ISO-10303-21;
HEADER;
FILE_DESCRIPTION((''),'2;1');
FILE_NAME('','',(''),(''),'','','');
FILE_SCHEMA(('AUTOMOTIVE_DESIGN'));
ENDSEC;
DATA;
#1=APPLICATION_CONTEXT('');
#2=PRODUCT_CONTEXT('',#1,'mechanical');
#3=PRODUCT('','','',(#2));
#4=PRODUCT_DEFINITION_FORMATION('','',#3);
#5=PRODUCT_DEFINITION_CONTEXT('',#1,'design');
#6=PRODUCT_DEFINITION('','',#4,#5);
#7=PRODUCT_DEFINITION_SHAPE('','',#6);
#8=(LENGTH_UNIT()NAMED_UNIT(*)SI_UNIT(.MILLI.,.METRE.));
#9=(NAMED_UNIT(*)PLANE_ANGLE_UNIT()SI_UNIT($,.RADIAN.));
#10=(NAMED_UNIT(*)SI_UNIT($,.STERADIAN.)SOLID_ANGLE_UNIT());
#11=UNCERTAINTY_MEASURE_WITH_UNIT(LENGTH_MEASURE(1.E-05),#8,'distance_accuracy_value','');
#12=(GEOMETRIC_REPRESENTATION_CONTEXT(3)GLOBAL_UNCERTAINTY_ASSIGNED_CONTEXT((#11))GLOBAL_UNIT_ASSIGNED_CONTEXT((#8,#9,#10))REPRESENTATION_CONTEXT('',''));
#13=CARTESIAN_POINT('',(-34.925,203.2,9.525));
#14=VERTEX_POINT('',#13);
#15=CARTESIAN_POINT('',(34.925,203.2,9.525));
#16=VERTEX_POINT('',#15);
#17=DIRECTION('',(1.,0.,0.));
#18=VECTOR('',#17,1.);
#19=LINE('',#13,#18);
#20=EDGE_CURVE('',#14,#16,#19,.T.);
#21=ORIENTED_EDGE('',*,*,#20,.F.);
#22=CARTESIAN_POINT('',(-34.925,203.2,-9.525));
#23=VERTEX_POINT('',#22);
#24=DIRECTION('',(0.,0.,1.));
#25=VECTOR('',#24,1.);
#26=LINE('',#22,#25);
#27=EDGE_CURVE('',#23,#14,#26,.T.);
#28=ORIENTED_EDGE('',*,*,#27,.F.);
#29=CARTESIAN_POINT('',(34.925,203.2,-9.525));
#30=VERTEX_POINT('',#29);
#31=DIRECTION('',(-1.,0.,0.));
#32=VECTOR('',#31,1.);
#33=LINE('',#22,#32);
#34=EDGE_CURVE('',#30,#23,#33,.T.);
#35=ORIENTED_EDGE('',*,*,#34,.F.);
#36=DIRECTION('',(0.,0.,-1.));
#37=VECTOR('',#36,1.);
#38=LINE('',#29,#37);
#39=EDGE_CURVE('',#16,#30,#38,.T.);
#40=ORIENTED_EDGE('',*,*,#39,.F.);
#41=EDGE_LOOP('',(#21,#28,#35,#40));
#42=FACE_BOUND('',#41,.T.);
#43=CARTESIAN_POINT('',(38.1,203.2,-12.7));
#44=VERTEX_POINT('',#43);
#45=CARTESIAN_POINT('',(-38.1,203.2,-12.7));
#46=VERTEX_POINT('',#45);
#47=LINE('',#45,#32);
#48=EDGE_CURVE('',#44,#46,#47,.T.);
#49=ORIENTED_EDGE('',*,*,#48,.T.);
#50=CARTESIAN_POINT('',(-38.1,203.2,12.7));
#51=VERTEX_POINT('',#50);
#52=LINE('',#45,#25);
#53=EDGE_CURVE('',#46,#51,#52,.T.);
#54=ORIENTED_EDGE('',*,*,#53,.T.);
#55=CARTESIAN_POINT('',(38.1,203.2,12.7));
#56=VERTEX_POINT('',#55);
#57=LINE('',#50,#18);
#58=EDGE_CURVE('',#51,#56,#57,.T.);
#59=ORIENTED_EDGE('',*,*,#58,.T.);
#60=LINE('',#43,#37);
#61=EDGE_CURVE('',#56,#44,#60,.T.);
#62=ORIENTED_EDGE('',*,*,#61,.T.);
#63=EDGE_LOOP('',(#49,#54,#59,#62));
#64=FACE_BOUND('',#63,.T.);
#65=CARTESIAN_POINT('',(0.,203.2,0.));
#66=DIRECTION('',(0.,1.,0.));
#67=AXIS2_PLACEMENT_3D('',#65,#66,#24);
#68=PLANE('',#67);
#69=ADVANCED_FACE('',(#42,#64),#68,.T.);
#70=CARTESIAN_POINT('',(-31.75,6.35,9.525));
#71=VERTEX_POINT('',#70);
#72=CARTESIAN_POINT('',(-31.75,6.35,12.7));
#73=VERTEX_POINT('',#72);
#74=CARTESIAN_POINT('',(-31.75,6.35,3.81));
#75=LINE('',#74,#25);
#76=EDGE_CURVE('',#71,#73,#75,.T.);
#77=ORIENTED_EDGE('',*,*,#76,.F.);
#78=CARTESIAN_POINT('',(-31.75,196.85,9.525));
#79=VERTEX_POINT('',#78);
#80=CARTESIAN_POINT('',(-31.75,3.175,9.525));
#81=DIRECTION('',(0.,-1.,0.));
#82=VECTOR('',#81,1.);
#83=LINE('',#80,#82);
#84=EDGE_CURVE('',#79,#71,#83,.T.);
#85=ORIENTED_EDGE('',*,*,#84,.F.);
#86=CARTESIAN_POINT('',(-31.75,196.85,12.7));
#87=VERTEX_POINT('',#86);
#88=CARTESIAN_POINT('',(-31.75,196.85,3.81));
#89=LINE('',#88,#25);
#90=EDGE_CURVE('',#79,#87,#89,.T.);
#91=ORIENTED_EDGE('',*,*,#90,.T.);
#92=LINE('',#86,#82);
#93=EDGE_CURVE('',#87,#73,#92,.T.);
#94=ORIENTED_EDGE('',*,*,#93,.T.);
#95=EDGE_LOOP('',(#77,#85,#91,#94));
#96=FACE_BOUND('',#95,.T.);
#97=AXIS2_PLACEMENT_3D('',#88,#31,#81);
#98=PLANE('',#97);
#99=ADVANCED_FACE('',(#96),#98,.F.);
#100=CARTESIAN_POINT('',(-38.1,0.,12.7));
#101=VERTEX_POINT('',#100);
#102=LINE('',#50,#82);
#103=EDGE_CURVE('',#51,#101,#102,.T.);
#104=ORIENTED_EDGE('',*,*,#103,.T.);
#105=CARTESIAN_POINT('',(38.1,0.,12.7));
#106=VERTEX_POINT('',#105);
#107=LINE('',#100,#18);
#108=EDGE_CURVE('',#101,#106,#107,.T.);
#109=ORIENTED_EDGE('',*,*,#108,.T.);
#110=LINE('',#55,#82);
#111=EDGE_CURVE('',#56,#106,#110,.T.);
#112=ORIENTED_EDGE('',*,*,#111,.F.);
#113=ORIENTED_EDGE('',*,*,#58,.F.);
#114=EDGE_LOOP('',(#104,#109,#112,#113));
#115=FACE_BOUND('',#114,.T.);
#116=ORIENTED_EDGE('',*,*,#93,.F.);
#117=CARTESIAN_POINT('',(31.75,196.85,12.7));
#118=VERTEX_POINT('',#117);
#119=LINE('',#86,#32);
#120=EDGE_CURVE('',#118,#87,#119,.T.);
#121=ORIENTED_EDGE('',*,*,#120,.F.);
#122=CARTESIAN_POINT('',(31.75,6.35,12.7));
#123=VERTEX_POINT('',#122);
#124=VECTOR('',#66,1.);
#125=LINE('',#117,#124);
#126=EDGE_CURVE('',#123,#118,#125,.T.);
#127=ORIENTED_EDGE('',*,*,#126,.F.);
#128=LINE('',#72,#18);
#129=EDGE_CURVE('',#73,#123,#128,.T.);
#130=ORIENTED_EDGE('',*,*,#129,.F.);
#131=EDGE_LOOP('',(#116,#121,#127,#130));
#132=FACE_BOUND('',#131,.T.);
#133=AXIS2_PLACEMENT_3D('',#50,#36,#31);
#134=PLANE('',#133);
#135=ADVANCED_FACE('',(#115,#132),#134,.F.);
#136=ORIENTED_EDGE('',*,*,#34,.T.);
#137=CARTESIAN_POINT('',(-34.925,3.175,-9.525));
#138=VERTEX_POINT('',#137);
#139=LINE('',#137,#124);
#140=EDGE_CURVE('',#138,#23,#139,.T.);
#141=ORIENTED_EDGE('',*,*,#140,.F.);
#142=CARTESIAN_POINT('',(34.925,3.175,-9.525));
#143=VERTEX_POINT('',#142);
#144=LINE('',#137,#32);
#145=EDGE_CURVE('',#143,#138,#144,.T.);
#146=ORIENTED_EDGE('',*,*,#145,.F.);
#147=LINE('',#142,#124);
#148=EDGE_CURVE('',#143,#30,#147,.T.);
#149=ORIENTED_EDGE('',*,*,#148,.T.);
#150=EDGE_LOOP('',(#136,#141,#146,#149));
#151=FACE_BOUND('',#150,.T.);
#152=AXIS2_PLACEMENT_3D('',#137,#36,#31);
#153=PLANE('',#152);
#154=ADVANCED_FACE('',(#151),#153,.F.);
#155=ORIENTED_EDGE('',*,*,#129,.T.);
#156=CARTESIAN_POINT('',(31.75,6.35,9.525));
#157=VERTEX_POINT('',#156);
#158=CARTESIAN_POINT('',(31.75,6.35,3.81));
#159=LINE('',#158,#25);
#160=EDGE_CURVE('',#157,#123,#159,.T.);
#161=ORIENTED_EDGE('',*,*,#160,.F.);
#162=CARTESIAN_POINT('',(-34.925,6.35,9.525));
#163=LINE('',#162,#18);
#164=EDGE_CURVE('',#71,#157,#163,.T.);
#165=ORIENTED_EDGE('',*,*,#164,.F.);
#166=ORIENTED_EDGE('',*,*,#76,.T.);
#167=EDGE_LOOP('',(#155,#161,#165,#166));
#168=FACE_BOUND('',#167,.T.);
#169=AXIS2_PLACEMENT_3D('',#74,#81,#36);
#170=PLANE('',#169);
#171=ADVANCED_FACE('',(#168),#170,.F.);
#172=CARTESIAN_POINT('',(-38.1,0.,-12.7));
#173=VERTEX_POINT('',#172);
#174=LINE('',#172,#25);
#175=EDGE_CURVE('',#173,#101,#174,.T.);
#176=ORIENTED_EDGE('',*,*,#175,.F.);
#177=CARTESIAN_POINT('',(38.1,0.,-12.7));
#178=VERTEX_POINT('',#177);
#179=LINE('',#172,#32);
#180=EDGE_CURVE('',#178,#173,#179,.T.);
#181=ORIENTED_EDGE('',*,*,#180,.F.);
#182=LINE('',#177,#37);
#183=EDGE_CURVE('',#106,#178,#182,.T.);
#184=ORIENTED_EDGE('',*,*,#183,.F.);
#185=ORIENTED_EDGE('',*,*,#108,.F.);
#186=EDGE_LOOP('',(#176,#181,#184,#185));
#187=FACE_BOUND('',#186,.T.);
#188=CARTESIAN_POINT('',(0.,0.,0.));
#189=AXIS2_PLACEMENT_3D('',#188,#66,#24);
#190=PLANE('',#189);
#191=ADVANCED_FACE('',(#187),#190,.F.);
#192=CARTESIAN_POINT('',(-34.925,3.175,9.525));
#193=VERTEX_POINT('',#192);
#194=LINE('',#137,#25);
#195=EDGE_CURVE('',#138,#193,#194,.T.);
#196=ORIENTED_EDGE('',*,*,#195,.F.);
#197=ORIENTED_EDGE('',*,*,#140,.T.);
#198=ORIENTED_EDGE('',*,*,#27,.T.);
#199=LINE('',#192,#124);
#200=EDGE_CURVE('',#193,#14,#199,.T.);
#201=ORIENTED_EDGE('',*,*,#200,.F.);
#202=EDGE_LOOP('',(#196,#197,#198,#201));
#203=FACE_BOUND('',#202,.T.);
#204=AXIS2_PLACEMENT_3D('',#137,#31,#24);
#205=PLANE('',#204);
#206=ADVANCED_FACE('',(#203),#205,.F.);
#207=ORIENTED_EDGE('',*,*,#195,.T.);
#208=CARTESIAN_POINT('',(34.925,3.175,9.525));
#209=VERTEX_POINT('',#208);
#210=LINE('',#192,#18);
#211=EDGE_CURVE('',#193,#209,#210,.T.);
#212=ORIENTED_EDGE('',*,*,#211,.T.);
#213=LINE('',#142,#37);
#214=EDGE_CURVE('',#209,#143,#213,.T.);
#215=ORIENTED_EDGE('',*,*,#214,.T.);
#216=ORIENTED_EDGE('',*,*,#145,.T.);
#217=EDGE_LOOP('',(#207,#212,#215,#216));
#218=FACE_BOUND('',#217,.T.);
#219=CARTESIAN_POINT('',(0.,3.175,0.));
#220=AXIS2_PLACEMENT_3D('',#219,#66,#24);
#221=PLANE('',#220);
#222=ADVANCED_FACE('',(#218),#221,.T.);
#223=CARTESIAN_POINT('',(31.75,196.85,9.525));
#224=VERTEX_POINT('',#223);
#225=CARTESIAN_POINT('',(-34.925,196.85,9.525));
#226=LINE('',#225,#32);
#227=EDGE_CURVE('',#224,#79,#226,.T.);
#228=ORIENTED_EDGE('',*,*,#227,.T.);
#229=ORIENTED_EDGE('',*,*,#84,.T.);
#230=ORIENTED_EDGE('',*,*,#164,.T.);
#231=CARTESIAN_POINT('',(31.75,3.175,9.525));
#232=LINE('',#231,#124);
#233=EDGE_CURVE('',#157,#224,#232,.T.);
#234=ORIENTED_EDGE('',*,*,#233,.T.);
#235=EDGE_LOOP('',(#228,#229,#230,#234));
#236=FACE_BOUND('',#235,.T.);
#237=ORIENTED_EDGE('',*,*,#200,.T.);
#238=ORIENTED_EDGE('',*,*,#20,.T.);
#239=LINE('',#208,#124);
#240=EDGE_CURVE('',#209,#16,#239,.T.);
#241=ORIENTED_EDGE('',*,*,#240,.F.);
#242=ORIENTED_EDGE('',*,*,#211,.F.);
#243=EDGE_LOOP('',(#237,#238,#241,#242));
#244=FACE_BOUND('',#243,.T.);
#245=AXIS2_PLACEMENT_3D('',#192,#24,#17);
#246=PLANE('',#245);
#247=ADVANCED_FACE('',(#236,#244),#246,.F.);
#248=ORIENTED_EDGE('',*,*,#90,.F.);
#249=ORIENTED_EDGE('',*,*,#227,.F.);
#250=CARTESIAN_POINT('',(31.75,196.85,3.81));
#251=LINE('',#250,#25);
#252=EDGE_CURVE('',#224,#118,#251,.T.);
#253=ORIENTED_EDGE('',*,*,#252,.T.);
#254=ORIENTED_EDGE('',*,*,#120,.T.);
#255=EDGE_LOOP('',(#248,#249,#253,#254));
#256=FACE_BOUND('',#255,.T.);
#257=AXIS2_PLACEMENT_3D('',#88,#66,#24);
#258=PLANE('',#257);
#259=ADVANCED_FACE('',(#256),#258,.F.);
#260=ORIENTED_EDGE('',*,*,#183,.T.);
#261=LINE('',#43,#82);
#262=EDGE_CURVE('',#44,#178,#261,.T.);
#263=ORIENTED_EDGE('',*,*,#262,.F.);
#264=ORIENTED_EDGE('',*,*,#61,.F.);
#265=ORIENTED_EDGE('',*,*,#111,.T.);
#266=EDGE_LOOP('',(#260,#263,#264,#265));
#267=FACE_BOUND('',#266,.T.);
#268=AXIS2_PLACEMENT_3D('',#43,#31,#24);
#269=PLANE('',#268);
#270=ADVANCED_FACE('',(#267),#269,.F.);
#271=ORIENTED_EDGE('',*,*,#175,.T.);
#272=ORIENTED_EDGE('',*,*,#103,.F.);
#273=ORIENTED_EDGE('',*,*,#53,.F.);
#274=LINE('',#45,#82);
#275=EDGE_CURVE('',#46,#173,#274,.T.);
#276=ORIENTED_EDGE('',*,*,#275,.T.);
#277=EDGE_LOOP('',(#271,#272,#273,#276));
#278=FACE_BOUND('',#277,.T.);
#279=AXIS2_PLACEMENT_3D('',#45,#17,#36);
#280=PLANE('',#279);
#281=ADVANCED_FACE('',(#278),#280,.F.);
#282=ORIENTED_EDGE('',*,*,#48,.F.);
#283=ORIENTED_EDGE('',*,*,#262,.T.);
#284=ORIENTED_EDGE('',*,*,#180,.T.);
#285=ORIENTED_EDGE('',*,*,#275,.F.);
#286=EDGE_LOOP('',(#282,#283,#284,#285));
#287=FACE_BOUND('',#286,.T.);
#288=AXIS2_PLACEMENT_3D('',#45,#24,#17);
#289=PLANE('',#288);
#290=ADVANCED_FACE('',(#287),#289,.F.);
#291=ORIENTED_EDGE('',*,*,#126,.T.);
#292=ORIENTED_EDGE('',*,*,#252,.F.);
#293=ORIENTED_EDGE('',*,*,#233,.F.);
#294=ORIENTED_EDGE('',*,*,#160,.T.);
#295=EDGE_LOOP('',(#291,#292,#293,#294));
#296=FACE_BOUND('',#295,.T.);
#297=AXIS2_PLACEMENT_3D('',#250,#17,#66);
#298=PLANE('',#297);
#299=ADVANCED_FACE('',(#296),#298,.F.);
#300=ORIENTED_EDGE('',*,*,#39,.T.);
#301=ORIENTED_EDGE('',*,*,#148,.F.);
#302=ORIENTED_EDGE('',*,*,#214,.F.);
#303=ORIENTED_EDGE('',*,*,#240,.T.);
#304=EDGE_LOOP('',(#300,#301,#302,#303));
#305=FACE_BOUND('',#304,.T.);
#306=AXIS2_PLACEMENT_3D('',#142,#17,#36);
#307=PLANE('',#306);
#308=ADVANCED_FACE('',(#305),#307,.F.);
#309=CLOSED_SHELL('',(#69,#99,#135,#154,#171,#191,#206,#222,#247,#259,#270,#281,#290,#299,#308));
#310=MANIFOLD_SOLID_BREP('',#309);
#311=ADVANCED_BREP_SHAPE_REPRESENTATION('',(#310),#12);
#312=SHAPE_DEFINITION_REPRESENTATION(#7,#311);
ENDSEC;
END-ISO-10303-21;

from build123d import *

# Parameters (mm, degrees)
SKETCH1_W           = 76.2
SKETCH1_H           = 25.4
BOSS_EXTRUDE5_DEPTH = 203.2
SKETCH4_W           = 69.85
SKETCH4_H           = 19.05
CUT_EXTRUDE1_DEPTH  = 200.025
SKETCH5_W           = 63.5
SKETCH5_H           = 190.5
CUT_EXTRUDE2_DEPTH  = 8.89


with BuildPart() as part:
    # Sketch1 → Boss-Extrude5 (new body)
    with BuildSketch(Plane(origin=(0, 0, 0), x_dir=(1, 0, 0), z_dir=(0, 1, 0))):
        Rectangle(SKETCH1_W, SKETCH1_H)
    extrude(amount=BOSS_EXTRUDE5_DEPTH)

    # Sketch4 → Cut-Extrude1 (cut)
    with BuildSketch(Plane(origin=(0, 203.2, 0), x_dir=(1, 0, 0), z_dir=(0, 1, 0))):
        Rectangle(SKETCH4_W, SKETCH4_H)
    extrude(amount=-CUT_EXTRUDE1_DEPTH, mode=Mode.SUBTRACT)

    # Sketch5 → Cut-Extrude2 (cut)
    with BuildSketch(Plane.XY.offset(12.7)):
        with Locations((0, 101.6)):
            Rectangle(SKETCH5_W, SKETCH5_H)
    extrude(amount=-CUT_EXTRUDE2_DEPTH, mode=Mode.SUBTRACT)


solid = part.part
